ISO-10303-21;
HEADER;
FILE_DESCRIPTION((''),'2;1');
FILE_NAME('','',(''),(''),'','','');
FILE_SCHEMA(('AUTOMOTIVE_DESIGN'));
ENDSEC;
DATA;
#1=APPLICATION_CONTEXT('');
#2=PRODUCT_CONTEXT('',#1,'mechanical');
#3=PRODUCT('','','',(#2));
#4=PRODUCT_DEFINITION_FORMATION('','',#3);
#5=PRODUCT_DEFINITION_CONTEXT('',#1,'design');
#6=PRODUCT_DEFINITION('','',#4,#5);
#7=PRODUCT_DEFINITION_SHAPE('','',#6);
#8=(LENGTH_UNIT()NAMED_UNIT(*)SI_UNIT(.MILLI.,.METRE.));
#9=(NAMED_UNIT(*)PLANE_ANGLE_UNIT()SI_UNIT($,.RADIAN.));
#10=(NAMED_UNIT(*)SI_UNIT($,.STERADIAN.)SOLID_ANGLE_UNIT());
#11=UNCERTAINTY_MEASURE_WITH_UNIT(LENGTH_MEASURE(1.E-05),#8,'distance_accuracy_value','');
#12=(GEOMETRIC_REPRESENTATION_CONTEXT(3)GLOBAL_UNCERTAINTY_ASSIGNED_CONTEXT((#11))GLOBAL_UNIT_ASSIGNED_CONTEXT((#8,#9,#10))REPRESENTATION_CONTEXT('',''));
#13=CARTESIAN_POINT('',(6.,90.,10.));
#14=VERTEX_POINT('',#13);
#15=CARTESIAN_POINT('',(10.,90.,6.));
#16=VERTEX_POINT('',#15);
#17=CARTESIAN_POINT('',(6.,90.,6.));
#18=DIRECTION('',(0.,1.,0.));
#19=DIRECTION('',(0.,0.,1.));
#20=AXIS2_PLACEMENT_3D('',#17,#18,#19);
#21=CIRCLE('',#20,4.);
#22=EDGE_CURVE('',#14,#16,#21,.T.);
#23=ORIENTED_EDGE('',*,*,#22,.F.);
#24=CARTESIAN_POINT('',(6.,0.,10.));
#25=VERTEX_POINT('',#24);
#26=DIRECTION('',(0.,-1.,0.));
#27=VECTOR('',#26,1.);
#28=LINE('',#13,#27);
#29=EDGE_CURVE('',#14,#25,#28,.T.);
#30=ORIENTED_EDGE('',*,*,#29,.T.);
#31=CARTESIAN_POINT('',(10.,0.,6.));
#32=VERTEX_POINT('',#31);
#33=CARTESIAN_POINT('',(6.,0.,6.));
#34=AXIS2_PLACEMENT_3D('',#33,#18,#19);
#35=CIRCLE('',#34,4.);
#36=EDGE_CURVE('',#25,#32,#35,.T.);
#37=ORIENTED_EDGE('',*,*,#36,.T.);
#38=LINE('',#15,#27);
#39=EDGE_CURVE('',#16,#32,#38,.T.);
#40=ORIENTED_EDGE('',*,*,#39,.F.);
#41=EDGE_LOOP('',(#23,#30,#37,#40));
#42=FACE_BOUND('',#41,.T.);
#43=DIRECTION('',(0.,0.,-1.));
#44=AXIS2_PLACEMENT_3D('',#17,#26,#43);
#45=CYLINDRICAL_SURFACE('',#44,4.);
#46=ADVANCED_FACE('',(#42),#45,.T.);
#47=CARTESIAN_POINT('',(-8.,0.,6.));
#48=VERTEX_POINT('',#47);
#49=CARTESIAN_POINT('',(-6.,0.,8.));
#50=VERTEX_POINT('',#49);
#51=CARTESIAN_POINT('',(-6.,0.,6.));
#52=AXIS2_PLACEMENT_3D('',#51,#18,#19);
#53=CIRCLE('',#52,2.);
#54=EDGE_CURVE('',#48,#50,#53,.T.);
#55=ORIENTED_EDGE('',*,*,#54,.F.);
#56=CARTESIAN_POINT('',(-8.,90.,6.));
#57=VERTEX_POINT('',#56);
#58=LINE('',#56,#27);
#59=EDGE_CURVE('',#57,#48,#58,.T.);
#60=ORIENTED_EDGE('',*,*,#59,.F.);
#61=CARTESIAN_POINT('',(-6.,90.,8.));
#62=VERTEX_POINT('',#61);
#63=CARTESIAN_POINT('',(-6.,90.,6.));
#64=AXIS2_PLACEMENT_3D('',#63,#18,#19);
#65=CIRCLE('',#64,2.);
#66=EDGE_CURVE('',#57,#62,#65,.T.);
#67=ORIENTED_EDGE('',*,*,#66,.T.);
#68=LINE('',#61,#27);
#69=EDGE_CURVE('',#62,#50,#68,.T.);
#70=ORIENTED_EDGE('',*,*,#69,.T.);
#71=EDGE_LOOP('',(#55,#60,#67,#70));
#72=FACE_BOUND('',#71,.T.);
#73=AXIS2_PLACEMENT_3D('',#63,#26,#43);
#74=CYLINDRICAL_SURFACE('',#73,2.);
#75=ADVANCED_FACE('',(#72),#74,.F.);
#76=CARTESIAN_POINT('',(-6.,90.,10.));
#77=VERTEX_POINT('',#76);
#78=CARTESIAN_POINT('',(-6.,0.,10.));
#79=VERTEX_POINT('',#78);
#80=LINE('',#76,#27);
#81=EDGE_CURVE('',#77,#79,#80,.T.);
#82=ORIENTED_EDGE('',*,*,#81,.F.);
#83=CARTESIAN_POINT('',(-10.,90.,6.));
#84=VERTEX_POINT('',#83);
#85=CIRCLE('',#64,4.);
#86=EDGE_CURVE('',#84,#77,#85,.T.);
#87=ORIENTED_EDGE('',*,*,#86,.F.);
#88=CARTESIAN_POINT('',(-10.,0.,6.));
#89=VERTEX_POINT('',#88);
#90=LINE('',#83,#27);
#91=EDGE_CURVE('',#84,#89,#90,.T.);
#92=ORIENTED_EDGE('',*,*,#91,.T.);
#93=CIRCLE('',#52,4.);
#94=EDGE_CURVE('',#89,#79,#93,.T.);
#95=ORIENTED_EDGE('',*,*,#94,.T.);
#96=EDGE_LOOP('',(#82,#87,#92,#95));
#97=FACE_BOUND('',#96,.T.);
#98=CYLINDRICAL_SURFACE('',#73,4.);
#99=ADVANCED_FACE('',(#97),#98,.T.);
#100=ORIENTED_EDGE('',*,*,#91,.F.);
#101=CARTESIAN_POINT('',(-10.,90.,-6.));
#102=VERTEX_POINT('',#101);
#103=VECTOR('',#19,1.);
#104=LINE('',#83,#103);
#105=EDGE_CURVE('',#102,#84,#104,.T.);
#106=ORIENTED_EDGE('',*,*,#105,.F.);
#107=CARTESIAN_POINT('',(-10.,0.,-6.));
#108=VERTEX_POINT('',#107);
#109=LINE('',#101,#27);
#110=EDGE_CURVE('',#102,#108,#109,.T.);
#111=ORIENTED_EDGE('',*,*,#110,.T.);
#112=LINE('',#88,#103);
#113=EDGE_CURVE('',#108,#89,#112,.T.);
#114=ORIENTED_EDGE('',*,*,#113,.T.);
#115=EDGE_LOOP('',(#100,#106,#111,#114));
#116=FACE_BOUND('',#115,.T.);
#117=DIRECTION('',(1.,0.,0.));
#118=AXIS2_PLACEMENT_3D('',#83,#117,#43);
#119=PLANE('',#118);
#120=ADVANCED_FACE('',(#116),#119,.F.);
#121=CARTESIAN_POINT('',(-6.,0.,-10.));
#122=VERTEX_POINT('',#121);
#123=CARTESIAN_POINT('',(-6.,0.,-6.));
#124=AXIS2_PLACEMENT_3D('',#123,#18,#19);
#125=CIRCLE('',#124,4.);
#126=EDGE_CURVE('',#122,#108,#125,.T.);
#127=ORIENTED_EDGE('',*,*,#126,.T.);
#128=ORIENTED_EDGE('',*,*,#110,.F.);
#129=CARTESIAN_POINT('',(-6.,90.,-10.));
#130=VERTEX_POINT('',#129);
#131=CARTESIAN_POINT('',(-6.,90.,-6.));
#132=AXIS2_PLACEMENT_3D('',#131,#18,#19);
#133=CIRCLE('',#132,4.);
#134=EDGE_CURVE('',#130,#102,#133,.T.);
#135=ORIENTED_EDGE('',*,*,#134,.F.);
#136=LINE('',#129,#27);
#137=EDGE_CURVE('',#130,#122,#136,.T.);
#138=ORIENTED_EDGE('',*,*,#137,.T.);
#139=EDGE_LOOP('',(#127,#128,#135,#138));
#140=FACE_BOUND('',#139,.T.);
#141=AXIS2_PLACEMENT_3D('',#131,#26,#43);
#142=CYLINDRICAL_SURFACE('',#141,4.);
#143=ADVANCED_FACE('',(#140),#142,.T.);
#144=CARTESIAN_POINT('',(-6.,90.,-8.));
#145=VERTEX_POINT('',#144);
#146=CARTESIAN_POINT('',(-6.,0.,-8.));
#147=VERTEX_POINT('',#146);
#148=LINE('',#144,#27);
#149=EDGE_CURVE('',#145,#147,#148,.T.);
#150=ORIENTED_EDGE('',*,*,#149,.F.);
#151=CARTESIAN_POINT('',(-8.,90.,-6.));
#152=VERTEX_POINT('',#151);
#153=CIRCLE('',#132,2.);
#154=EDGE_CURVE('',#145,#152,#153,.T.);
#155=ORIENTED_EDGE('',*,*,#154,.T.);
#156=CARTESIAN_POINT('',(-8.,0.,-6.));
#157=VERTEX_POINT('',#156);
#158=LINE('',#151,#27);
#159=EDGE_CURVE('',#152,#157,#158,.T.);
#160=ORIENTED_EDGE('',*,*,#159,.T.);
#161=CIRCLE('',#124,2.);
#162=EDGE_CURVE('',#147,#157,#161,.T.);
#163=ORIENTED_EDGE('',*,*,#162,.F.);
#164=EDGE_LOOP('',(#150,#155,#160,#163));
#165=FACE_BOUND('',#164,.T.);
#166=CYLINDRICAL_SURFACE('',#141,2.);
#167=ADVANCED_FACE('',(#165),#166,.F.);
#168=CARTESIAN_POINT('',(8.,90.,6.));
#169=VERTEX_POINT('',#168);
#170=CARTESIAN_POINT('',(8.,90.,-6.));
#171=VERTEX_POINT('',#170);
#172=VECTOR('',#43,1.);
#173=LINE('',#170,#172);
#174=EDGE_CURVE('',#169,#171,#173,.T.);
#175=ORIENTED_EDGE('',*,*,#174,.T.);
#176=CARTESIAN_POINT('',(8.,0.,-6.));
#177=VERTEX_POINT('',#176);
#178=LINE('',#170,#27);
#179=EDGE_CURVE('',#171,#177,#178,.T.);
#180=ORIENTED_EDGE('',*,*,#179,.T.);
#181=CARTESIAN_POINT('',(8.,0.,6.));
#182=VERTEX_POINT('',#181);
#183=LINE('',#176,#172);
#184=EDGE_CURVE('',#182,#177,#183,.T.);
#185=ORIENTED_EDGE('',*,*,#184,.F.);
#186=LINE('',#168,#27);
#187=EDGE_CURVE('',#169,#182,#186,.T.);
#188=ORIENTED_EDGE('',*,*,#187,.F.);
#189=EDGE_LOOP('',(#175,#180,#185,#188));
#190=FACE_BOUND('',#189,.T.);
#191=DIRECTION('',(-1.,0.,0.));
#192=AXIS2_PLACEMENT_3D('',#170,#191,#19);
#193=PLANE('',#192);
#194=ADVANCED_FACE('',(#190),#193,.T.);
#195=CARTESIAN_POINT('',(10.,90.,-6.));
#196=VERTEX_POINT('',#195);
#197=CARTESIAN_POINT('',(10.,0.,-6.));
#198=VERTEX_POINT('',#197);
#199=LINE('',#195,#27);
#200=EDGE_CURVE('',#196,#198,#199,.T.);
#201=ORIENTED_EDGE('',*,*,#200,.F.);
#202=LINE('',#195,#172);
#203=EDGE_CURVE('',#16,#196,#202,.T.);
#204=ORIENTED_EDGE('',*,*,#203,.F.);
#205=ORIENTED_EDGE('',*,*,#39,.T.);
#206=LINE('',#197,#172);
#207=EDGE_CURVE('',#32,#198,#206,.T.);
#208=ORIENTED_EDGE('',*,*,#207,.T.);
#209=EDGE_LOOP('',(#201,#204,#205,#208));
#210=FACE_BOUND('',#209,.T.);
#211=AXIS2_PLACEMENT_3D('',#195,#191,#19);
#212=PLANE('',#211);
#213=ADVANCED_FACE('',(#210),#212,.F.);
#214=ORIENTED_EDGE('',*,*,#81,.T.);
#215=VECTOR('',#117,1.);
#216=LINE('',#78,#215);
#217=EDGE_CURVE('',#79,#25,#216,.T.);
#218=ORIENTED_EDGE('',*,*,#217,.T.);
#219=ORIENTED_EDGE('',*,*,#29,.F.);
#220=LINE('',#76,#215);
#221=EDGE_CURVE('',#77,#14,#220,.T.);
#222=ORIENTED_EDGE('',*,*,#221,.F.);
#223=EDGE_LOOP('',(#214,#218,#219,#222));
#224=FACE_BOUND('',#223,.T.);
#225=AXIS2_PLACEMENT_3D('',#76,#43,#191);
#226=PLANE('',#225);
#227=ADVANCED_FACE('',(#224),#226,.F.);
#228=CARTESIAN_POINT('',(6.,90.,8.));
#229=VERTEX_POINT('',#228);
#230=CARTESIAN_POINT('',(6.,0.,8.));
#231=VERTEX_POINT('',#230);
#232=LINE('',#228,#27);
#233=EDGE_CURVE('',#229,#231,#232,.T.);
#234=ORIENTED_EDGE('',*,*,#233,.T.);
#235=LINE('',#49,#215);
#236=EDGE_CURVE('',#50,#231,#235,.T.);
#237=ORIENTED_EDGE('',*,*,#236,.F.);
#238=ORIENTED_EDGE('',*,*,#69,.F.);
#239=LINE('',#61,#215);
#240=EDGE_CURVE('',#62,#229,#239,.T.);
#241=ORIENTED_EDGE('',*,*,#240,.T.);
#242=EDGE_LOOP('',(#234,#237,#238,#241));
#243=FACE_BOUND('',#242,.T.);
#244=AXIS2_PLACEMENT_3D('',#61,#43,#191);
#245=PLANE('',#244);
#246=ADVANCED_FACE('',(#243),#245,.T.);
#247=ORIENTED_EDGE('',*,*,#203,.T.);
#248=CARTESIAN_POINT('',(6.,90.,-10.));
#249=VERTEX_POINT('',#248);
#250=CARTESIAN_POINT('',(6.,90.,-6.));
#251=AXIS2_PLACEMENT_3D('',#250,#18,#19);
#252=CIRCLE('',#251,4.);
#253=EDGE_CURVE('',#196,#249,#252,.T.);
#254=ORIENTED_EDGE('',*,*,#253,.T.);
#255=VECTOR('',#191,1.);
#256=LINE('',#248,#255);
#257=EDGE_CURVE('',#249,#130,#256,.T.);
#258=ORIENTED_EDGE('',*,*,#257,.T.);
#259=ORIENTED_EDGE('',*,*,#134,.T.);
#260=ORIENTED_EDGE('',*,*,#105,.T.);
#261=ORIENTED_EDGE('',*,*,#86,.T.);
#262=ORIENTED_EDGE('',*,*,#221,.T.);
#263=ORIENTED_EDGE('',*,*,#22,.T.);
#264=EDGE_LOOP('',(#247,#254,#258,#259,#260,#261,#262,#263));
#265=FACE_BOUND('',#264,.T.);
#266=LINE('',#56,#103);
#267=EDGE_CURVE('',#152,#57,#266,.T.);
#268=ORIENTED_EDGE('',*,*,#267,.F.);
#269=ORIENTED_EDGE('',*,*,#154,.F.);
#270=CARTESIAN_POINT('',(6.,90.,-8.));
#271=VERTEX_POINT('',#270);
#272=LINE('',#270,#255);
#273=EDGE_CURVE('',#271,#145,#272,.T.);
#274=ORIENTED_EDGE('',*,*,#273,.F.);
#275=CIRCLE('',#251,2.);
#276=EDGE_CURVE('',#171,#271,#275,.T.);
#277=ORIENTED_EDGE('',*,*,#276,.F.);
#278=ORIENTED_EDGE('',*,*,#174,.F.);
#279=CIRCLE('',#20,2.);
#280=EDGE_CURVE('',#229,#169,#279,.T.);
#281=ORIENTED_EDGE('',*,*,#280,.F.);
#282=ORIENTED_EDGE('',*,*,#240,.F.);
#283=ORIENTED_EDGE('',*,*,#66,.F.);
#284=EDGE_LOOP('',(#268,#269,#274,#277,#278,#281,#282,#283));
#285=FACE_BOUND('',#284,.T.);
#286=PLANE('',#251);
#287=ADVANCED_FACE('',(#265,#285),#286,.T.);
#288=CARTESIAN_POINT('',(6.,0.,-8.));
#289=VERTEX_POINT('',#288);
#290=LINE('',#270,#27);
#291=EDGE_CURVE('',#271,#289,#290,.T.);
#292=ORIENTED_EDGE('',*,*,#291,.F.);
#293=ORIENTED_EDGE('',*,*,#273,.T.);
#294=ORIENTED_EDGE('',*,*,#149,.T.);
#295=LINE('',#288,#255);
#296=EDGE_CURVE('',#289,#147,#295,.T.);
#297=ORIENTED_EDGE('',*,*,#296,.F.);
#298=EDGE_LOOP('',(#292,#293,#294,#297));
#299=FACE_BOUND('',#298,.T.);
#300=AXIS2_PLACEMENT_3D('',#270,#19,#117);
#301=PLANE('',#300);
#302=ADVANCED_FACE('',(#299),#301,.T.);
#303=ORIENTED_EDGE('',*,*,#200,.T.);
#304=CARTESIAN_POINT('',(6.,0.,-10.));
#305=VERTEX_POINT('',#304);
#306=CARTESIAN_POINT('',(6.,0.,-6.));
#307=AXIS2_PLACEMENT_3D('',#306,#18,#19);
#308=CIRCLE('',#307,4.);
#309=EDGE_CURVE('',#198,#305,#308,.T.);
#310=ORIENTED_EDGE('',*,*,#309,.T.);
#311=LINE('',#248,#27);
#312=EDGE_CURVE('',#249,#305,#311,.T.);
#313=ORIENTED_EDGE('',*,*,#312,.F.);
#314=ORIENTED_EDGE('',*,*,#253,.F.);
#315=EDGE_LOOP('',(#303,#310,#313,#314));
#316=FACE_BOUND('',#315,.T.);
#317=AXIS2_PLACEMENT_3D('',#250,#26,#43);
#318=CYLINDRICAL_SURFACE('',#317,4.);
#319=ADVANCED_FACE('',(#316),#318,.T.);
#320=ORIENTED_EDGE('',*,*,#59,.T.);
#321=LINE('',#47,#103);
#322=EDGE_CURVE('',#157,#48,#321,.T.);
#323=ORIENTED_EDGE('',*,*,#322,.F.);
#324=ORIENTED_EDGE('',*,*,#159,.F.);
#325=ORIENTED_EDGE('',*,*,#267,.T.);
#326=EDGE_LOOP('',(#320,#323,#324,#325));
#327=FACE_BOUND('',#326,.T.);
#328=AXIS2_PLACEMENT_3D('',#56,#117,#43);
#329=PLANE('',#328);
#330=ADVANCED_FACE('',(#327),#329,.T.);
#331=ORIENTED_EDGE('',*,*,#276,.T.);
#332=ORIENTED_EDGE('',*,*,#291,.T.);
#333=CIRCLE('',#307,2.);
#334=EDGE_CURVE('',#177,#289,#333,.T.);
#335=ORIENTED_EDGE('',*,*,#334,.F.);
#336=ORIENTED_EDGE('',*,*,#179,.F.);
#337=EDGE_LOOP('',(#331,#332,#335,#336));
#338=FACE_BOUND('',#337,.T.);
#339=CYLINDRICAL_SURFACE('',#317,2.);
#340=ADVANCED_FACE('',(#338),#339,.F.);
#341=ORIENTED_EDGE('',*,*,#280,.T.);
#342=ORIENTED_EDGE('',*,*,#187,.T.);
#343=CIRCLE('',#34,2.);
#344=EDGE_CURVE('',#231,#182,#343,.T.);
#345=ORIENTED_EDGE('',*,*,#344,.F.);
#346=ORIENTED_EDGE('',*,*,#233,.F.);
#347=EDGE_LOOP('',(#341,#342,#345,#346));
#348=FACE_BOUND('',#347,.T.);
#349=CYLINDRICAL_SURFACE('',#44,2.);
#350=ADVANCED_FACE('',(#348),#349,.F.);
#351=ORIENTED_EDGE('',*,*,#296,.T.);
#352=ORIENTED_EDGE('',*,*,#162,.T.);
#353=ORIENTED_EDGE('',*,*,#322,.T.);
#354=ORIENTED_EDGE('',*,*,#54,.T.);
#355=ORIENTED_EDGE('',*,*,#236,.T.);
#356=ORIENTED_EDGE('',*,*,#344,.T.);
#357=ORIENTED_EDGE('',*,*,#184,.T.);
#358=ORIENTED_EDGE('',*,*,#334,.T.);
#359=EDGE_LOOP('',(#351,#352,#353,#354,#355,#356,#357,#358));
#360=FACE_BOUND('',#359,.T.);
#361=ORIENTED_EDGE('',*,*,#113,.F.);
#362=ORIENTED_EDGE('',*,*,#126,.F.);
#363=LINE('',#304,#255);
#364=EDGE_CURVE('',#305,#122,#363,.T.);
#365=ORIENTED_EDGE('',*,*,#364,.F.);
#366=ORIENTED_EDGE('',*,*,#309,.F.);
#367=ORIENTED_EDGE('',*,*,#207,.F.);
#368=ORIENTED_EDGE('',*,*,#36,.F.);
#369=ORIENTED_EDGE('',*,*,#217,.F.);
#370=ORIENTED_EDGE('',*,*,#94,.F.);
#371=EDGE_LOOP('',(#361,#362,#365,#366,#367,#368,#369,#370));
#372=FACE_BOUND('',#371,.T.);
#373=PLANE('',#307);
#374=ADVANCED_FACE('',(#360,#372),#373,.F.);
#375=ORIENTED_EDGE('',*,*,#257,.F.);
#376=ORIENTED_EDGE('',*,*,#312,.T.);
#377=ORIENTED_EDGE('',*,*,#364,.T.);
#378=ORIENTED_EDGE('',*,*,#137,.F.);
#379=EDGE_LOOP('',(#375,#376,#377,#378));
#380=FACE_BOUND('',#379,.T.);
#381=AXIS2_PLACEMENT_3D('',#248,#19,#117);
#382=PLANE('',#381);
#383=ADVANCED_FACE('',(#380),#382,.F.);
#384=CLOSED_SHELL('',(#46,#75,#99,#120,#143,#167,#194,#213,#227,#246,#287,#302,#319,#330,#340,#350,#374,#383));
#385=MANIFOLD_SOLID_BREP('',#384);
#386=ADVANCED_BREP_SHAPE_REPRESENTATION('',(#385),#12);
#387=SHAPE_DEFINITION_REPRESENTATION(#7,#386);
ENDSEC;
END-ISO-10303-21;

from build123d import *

# Parameters (mm, degrees)
SQUARE_TUBE_20_X_20_X_2_1_DEPTH = 90


with BuildPart() as part:
    # Sketch12 → Square tube 20 X 20 X 2(1) (new body)
    with BuildSketch(Plane(origin=(0, 0, 0), x_dir=(1, 0, 0), z_dir=(0, 1, 0))):
        with BuildLine():
            Line((-6, -10), (6, -10))
            ThreePointArc((6, -10), (8.828427125, -8.828427125), (10, -6))
            Line((10, -6), (10, 6))
            ThreePointArc((10, 6), (8.828427125, 8.828427125), (6, 10))
            Line((6, 10), (-6, 10))
            ThreePointArc((-6, 10), (-8.828427125, 8.828427125), (-10, 6))
            Line((-10, 6), (-10, -6))
            ThreePointArc((-10, -6), (-8.828427125, -8.828427125), (-6, -10))
        make_face()
        with BuildLine():
            Line((-6, -8), (6, -8))
            ThreePointArc((6, -8), (7.414213562, -7.414213562), (8, -6))
            Line((8, -6), (8, 6))
            ThreePointArc((8, 6), (7.414213562, 7.414213562), (6, 8))
            Line((6, 8), (-6, 8))
            ThreePointArc((-6, 8), (-7.414213562, 7.414213562), (-8, 6))
            Line((-8, 6), (-8, -6))
            ThreePointArc((-8, -6), (-7.414213562, -7.414213562), (-6, -8))
        make_face(mode=Mode.SUBTRACT)
    extrude(amount=SQUARE_TUBE_20_X_20_X_2_1_DEPTH)


solid = part.part
